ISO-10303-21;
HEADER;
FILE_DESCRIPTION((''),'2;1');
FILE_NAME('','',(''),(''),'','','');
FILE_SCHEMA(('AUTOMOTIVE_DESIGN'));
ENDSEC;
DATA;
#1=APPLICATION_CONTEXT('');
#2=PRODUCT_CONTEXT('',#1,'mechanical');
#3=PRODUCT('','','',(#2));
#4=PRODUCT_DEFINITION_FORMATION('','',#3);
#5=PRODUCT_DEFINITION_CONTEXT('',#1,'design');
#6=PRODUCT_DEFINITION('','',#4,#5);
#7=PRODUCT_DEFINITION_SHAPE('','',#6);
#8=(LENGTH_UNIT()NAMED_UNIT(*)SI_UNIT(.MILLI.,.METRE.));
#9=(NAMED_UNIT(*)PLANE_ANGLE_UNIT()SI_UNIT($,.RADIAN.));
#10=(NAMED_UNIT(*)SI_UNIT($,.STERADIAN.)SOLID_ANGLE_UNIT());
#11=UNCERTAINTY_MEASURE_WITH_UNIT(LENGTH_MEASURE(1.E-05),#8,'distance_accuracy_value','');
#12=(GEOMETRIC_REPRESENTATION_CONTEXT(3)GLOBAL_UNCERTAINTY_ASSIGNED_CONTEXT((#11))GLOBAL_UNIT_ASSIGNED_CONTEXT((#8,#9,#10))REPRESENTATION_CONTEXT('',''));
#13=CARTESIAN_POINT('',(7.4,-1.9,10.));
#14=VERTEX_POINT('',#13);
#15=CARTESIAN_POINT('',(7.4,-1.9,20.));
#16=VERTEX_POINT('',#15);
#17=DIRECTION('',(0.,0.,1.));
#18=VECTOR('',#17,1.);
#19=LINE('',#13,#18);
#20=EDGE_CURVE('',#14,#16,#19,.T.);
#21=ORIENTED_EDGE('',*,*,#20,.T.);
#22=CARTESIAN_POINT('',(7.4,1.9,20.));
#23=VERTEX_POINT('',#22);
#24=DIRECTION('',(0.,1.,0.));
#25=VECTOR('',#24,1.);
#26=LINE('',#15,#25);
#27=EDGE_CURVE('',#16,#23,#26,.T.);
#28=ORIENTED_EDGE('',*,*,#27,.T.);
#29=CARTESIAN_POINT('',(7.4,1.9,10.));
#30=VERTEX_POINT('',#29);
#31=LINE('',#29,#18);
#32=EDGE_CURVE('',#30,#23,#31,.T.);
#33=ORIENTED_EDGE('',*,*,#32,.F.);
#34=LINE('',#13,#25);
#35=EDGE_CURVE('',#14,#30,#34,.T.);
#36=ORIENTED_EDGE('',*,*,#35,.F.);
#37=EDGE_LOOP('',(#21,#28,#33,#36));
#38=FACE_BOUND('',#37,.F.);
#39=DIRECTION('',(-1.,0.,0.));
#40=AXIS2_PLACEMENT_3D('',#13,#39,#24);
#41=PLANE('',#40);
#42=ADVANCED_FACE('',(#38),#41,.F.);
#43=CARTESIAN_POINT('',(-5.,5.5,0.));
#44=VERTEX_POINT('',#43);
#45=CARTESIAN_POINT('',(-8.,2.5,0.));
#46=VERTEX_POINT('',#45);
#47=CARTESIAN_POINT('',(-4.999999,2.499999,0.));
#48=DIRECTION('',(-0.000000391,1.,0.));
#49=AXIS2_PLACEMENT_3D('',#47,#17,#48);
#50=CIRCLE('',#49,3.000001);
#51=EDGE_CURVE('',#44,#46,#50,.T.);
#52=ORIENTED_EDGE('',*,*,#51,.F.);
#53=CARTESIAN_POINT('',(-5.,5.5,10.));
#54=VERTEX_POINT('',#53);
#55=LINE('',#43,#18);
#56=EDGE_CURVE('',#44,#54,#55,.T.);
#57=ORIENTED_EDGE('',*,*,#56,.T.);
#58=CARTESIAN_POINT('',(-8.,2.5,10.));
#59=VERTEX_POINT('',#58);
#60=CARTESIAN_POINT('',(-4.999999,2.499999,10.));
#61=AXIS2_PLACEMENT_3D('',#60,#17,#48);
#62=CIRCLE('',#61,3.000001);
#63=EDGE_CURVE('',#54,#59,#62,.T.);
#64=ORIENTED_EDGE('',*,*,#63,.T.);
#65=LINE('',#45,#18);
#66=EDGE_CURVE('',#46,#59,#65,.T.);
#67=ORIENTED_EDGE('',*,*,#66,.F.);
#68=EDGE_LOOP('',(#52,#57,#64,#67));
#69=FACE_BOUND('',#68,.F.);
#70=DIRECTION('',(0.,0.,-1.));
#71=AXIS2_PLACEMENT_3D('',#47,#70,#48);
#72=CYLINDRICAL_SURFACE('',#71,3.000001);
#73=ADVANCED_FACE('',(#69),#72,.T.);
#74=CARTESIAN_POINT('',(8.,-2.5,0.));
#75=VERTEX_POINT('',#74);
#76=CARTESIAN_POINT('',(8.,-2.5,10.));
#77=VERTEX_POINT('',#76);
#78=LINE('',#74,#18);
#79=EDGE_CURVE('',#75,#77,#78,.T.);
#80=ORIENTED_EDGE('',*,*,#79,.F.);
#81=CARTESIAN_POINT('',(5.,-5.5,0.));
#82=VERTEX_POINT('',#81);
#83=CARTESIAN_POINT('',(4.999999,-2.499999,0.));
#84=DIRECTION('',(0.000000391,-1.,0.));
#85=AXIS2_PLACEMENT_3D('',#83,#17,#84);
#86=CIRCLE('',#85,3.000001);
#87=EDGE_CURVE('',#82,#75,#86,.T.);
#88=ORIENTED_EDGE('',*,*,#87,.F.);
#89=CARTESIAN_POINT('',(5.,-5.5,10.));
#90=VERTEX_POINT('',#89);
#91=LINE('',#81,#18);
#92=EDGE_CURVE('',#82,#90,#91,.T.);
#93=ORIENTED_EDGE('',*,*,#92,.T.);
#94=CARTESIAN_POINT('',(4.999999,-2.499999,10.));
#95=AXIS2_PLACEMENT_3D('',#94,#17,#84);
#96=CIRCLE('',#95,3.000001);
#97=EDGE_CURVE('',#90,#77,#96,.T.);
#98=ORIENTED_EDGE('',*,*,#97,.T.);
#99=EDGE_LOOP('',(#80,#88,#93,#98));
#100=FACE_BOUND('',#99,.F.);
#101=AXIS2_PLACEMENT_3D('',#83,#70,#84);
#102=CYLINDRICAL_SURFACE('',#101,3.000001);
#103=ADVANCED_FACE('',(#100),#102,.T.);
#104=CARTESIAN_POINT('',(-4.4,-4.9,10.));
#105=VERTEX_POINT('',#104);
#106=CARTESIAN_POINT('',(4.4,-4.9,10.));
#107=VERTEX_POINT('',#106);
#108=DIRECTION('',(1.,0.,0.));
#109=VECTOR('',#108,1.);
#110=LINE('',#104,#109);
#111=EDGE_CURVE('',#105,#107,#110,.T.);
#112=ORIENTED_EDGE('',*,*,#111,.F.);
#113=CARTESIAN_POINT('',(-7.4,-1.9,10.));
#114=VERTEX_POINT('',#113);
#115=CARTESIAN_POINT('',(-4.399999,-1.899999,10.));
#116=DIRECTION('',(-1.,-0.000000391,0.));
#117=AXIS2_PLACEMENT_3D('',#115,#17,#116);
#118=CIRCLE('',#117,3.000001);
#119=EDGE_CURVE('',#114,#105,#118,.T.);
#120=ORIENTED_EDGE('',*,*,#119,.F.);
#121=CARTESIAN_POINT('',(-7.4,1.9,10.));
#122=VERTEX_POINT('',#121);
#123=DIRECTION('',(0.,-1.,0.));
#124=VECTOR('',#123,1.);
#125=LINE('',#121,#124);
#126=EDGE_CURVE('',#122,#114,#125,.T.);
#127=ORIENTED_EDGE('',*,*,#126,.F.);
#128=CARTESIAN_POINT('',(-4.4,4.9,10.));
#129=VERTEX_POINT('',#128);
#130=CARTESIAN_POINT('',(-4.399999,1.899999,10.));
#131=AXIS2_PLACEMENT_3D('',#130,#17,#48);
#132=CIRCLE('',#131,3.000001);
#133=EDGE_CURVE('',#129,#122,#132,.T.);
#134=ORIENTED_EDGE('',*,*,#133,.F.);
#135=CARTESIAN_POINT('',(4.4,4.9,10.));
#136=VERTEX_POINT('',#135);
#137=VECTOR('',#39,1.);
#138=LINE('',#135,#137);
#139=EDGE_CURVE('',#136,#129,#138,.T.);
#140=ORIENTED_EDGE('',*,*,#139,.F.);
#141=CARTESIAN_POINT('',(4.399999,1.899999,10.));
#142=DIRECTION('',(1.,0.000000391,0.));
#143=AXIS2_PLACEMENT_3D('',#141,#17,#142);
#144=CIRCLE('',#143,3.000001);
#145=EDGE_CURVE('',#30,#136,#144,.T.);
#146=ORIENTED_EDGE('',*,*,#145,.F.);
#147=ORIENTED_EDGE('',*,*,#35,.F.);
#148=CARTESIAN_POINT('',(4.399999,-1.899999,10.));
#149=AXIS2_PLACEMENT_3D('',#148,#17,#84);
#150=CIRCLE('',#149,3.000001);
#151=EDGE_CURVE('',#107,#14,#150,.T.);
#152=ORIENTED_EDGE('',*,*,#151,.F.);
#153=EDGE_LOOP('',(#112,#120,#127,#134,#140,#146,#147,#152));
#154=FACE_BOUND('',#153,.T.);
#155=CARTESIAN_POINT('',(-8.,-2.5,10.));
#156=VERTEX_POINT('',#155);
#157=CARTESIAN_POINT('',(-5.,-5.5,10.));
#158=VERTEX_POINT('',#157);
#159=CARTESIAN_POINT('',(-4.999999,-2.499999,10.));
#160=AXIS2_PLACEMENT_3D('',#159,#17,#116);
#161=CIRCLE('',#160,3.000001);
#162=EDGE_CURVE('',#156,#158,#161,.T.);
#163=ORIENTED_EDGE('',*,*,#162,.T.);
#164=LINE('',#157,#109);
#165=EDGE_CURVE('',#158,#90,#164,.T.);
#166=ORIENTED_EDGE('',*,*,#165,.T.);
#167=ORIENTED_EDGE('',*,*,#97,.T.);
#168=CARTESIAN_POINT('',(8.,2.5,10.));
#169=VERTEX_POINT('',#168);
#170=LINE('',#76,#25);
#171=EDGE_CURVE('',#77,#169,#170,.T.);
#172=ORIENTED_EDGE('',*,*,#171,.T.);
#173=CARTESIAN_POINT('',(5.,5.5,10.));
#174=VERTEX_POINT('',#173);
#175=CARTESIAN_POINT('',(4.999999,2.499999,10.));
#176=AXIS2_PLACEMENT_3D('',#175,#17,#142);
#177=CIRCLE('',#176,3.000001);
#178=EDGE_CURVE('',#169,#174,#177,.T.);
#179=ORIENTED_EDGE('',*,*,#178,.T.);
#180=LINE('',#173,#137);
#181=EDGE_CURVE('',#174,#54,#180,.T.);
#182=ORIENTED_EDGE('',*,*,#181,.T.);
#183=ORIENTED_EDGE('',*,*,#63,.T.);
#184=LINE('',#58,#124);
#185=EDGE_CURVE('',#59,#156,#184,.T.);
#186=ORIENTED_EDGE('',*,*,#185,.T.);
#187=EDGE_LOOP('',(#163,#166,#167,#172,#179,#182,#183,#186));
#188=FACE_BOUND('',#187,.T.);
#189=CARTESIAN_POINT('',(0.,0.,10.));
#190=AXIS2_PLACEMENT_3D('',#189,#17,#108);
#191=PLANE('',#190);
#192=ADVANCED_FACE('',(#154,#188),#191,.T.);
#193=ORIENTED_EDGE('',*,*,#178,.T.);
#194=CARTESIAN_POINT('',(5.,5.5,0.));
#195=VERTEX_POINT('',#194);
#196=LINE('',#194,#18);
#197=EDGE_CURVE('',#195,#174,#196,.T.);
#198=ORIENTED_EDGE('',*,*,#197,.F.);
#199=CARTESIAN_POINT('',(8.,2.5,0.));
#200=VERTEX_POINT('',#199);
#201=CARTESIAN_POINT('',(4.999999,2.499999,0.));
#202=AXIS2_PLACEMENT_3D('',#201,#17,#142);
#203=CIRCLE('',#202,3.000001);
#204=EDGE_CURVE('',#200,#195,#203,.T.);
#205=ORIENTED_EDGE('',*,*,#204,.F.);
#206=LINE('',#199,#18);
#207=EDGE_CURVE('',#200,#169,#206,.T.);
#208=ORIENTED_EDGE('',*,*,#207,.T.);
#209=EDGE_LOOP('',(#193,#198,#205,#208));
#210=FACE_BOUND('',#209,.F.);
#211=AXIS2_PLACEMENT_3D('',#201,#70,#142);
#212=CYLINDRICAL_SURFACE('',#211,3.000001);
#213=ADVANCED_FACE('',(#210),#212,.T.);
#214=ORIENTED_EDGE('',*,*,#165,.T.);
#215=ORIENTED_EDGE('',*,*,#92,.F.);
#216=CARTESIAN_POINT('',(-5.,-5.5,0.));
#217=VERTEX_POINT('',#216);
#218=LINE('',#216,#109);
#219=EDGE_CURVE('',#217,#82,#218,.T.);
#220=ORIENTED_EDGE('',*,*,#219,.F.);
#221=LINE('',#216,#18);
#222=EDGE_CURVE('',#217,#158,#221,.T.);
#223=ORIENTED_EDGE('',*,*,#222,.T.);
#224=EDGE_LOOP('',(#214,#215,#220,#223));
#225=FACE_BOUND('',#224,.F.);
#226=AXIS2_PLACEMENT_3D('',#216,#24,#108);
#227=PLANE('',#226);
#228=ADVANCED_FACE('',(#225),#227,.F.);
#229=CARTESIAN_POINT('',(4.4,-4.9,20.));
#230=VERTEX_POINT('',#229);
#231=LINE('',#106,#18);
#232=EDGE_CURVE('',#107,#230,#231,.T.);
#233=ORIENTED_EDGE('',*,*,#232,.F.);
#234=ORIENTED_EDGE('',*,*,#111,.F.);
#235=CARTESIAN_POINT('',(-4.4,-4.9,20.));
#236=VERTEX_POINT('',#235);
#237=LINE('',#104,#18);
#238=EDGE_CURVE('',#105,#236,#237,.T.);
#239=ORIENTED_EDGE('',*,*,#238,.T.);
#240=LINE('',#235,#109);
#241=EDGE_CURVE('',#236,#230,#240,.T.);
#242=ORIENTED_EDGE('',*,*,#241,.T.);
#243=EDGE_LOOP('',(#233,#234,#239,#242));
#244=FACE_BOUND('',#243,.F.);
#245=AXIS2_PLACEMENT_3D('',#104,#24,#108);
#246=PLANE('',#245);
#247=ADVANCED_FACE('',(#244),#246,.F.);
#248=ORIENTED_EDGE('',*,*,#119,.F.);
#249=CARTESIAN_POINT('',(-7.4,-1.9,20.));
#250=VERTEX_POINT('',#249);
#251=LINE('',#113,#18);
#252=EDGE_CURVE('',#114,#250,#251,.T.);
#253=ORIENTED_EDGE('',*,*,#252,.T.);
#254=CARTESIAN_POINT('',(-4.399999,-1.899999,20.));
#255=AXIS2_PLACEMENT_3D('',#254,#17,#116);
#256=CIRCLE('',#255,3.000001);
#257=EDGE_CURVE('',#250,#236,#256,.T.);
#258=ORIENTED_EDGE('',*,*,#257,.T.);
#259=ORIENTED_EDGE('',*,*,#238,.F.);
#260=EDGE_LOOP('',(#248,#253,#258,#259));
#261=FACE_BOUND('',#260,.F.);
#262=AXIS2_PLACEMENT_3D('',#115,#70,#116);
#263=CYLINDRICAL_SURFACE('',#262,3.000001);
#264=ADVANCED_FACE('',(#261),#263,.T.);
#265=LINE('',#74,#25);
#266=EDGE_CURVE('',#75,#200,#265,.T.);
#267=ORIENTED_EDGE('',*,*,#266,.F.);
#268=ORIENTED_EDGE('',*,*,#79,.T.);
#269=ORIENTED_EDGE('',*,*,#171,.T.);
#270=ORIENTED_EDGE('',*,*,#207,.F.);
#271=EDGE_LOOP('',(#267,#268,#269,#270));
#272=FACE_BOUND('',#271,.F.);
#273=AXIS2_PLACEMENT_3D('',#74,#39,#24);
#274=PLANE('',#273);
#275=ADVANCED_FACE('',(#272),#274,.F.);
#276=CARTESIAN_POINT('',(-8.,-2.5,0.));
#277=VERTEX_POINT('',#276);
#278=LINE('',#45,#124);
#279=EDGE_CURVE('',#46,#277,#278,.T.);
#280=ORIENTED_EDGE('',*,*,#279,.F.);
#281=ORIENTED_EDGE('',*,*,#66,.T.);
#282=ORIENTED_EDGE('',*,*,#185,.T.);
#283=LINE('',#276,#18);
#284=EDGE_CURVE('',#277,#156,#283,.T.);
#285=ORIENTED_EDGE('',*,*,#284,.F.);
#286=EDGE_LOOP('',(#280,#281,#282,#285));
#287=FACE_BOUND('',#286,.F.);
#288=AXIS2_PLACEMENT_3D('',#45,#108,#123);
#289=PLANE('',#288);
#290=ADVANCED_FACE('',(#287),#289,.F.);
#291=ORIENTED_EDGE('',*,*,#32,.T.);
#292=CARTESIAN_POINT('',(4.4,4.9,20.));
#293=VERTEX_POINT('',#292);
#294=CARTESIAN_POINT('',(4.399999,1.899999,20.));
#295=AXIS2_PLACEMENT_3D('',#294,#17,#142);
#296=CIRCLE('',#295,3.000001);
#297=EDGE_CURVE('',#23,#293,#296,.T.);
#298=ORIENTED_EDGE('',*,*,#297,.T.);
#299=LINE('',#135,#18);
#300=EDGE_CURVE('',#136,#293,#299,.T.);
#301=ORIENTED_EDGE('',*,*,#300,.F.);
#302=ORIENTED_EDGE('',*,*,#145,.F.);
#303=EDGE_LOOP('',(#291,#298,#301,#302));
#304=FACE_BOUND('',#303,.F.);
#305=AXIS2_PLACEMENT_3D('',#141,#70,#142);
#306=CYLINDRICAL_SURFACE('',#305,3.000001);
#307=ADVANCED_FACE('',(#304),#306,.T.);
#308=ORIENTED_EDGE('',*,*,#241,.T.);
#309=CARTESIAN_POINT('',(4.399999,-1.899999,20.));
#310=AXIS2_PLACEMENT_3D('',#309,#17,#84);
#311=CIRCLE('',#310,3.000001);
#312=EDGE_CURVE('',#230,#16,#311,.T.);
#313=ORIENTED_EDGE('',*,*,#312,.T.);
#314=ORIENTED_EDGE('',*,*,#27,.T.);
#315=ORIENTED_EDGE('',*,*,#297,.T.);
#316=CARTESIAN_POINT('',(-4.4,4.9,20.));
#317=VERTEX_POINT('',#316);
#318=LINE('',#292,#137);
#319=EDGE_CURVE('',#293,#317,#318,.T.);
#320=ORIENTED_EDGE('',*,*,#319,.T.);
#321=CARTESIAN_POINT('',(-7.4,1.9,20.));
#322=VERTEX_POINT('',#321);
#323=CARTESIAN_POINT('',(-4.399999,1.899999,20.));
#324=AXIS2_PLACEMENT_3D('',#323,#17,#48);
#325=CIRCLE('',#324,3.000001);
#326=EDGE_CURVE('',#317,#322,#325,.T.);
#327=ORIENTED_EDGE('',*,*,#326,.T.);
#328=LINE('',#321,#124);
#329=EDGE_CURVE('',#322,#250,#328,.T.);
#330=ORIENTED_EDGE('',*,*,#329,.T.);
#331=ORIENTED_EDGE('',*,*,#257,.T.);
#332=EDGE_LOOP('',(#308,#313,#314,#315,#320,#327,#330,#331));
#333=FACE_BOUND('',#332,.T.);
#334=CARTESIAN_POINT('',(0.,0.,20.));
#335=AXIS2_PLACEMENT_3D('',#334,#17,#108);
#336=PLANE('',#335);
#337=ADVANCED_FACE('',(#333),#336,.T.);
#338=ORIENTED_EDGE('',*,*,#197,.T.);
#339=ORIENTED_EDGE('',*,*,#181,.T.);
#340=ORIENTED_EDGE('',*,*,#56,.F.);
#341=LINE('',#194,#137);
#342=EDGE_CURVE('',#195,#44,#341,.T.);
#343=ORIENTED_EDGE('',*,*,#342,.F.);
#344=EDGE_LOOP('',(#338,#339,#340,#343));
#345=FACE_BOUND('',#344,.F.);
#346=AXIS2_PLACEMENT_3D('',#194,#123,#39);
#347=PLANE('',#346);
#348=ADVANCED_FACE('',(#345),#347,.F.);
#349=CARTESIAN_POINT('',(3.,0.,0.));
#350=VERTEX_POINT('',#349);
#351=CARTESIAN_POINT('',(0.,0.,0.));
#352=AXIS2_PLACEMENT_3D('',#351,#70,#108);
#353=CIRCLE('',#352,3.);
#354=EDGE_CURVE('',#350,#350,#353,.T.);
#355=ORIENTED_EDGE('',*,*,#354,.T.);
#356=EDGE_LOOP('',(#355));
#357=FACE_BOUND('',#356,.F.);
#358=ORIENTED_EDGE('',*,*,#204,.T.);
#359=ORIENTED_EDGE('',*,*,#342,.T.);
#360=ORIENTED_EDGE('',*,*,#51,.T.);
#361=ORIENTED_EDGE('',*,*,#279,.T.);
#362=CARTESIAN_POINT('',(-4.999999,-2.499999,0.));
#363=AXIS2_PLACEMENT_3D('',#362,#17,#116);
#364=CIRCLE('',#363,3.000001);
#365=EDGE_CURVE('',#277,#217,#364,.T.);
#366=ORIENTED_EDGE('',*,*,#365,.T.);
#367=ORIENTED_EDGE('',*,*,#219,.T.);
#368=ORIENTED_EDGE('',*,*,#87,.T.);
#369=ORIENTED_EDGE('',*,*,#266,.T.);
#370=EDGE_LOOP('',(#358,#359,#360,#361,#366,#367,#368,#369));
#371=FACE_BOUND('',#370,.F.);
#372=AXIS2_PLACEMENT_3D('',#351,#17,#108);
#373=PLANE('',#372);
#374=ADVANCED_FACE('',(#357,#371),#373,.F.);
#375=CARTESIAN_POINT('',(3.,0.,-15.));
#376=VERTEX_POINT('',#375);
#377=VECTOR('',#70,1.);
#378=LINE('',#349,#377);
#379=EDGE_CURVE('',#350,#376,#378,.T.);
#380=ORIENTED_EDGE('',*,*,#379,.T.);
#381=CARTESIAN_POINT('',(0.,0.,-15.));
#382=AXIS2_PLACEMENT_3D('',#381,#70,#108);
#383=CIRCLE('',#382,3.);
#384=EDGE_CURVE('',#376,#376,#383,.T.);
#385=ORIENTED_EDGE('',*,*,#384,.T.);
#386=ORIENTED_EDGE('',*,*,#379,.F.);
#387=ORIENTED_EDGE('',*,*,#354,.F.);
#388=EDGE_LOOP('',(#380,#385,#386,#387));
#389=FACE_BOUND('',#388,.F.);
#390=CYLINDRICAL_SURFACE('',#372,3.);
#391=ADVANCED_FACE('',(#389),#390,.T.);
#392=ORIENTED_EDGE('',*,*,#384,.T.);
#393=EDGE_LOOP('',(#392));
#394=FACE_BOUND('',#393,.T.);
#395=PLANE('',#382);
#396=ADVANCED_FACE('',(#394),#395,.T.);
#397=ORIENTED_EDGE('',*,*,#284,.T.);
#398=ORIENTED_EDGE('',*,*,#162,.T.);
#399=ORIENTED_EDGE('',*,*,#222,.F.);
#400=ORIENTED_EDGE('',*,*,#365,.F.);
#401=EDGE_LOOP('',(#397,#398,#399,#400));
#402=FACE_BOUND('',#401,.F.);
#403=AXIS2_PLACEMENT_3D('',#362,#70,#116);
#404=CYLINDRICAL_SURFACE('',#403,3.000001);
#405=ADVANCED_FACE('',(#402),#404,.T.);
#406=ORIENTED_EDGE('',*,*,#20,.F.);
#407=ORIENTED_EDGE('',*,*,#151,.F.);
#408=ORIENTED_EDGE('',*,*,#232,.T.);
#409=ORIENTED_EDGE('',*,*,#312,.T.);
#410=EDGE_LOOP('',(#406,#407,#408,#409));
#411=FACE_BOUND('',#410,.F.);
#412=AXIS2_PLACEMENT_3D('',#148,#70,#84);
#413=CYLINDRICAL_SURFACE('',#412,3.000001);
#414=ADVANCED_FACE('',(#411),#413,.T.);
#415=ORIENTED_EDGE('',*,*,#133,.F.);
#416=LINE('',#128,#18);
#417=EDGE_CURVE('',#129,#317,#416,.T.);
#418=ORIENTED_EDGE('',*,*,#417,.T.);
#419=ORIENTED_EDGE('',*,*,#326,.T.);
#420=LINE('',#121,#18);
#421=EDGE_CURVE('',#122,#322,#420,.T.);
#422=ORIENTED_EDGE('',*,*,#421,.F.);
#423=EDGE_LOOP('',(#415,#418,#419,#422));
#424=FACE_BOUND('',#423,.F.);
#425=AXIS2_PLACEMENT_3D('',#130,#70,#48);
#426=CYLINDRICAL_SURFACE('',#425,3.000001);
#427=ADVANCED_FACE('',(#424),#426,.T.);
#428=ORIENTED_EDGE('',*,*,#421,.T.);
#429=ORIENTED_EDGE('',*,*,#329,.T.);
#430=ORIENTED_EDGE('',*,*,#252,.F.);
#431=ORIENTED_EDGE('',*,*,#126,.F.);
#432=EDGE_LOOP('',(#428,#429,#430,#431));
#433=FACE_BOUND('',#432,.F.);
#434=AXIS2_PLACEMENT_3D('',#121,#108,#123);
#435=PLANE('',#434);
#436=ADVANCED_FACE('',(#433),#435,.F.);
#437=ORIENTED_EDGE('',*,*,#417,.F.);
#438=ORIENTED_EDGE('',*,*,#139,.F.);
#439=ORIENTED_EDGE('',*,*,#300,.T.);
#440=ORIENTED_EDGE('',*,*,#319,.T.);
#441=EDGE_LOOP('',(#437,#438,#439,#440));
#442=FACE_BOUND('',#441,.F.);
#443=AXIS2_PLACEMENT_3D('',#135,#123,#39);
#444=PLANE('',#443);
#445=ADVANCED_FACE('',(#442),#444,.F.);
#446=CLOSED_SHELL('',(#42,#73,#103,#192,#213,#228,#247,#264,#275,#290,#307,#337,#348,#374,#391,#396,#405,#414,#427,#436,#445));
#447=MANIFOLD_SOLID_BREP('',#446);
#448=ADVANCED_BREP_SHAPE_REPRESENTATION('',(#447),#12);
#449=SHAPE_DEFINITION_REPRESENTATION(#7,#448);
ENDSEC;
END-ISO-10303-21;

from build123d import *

# Parameters (mm, degrees)
F1_DEPTH = 10
F3_DEPTH = 10
F4_R     = 3
F5_DEPTH = 15


with BuildPart() as f1:
    # F0 (on Top) → F1 (new body)
    with BuildSketch(Plane.XY):
        with BuildLine():
            Line((5, 5.5), (-5, 5.5))
            ThreePointArc((-5, 5.5), (-7.12132, 4.62132), (-8, 2.5))
            Line((-8, 2.5), (-8, -2.5))
            ThreePointArc((-8, -2.5), (-7.12132, -4.62132), (-5, -5.5))
            Line((-5, -5.5), (5, -5.5))
            ThreePointArc((5, -5.5), (7.12132, -4.62132), (8, -2.5))
            Line((8, -2.5), (8, 2.5))
            ThreePointArc((8, 2.5), (7.12132, 4.62132), (5, 5.5))
        make_face()
    extrude(amount=F1_DEPTH)

    # F2 (on face) → F3 (join)
    with BuildSketch(Plane.XY.offset(10)):
        with BuildLine():
            Line((4.4, 4.9), (-4.4, 4.9))
            ThreePointArc((-4.4, 4.9), (-6.52132, 4.02132), (-7.4, 1.9))
            Line((-7.4, 1.9), (-7.4, -1.9))
            ThreePointArc((-7.4, -1.9), (-6.52132, -4.02132), (-4.4, -4.9))
            Line((-4.4, -4.9), (4.4, -4.9))
            ThreePointArc((4.4, -4.9), (6.52132, -4.02132), (7.4, -1.9))
            Line((7.4, -1.9), (7.4, 1.9))
            ThreePointArc((7.4, 1.9), (6.52132, 4.02132), (4.4, 4.9))
        make_face()
    extrude(amount=F3_DEPTH)

    # F4 (on face) → F5 (join)
    with BuildSketch(Plane(origin=(0, 0, 0), x_dir=(1, 0, 0), z_dir=(0, 0, -1))):
        Circle(F4_R)
    extrude(amount=F5_DEPTH)


solid = f1.part
